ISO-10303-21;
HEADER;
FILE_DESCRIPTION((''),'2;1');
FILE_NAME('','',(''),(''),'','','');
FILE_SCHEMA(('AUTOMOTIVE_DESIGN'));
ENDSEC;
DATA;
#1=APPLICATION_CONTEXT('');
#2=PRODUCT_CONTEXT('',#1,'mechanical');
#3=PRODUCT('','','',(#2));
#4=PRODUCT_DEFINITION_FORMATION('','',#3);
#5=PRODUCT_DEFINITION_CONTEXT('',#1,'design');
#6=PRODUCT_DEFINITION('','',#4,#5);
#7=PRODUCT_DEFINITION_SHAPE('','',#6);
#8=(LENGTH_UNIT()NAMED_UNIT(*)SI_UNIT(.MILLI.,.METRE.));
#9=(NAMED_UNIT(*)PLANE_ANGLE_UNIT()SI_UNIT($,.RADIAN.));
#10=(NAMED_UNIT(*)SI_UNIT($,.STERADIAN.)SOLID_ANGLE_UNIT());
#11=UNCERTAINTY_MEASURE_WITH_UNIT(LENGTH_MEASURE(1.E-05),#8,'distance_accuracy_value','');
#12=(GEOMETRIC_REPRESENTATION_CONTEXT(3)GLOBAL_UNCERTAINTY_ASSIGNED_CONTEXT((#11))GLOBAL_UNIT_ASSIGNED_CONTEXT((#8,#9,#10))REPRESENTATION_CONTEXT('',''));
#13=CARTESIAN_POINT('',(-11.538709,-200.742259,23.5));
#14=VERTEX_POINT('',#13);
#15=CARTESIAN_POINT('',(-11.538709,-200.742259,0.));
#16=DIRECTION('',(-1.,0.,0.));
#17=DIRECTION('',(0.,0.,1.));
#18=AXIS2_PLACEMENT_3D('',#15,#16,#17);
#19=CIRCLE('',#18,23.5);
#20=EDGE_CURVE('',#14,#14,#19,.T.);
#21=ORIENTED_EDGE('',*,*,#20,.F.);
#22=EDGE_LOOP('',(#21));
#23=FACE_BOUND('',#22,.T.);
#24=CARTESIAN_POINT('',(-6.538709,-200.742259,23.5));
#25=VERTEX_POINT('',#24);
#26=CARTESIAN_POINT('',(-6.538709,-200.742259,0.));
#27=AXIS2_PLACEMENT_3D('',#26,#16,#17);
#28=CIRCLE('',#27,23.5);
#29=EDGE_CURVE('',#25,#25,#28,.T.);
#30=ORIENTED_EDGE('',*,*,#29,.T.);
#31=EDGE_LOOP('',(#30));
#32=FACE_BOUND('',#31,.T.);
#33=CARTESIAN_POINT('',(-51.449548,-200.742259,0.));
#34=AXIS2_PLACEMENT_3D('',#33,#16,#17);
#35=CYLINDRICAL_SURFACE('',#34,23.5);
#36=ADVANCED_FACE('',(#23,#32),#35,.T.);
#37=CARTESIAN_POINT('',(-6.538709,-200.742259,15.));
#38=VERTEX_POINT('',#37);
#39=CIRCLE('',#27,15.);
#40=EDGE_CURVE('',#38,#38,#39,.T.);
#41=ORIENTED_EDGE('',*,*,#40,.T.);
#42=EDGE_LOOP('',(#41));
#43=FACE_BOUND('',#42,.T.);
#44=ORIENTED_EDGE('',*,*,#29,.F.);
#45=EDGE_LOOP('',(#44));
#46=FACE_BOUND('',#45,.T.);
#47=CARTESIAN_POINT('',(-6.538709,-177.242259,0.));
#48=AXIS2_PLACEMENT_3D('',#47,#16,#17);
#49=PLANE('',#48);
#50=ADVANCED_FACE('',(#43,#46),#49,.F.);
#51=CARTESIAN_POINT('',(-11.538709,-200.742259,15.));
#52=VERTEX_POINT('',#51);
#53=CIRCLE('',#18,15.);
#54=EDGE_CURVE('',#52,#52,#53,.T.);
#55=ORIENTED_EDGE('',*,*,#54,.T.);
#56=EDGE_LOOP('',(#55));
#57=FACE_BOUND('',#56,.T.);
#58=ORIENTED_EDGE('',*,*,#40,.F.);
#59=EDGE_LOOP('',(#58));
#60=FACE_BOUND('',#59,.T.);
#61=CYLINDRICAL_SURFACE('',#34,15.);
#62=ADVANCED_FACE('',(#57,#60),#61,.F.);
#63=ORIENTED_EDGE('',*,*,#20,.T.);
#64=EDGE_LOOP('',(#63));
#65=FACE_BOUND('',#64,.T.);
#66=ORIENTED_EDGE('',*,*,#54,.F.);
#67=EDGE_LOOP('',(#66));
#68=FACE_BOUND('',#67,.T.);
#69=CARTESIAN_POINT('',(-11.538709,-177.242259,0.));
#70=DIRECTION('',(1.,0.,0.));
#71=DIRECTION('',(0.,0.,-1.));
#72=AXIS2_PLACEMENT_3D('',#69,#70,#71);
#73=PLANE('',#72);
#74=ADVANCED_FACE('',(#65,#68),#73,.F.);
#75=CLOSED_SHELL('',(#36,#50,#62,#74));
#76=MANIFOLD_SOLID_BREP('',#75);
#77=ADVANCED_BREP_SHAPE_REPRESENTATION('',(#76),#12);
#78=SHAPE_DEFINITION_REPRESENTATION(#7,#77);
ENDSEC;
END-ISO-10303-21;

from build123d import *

# Parameters (mm, degrees)
SZKIC1_W = 5
SZKIC1_H = 8.5


with BuildPart() as part:
    # Szkic1 → Obrót1 (revolve)
    with BuildSketch(Plane.XY, mode=Mode.PRIVATE) as obr_t1_sk:
        with Locations((-9.038709048, -181.492259127)):
            Rectangle(SZKIC1_W, SZKIC1_H)
    revolve(obr_t1_sk.sketch.rotate(Axis((-51.4495482, -200.742259127, 0), (1, 0, 0)), 90), axis=Axis((-51.4495482, -200.742259127, 0), (1, 0, 0)))


solid = part.part
